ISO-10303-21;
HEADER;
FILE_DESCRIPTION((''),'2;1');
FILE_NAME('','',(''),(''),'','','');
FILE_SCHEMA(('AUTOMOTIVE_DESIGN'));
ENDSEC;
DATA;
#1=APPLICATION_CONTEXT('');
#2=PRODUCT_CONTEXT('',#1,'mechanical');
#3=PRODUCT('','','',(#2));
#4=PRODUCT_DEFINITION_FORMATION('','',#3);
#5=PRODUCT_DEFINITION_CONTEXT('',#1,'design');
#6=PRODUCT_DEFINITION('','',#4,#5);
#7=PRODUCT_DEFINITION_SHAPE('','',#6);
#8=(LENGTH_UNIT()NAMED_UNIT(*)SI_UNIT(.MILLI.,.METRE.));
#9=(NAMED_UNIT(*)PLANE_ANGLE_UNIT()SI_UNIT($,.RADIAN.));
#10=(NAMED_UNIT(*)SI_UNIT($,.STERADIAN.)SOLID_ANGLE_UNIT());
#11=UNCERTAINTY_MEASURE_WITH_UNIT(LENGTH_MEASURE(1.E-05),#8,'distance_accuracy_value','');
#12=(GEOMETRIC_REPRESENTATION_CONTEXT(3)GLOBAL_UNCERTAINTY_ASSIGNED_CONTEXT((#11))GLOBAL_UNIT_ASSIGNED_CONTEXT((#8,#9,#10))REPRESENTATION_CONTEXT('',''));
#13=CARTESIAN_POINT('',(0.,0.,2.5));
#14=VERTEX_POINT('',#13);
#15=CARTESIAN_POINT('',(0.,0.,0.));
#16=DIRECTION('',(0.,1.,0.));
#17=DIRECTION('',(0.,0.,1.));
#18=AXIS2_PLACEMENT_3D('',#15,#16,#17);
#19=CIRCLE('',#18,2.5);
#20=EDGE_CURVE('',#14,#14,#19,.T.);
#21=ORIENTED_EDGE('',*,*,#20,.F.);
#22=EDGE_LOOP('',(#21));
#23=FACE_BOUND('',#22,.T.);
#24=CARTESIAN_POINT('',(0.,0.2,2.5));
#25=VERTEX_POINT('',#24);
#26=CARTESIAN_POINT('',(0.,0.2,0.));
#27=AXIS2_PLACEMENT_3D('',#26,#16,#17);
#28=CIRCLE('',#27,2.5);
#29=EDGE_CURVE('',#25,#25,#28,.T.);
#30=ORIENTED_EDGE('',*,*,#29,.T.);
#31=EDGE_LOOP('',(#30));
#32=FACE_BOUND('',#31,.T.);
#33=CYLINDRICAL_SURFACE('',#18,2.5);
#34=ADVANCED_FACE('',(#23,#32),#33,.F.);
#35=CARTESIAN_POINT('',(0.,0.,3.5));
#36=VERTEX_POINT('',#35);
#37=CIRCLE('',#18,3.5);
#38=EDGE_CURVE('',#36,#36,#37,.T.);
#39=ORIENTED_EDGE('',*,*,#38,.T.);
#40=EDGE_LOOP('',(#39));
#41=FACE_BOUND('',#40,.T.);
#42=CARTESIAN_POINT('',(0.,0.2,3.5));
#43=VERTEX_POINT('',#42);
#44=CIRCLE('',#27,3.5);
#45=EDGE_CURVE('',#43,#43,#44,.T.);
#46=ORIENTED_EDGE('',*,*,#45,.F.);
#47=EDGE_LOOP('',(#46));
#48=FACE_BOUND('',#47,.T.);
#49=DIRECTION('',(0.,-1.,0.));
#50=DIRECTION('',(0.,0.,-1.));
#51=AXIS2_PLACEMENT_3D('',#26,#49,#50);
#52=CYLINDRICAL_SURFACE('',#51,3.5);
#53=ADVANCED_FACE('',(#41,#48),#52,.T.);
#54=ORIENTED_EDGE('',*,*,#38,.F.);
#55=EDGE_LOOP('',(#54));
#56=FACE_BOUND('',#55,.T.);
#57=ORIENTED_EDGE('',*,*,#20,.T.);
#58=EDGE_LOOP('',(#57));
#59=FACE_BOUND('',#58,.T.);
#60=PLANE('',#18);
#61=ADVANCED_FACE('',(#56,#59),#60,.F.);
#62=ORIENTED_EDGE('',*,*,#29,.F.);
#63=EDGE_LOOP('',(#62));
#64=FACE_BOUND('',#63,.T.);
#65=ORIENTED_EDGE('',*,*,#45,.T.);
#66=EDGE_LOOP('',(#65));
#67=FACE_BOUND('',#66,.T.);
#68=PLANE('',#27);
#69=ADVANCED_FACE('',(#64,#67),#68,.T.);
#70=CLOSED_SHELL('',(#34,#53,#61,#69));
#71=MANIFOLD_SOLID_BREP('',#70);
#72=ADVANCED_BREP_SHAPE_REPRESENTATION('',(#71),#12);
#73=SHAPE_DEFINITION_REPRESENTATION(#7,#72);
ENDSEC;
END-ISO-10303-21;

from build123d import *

# Parameters (mm, degrees)
SKETCH1_R           = 3.5
BOSS_EXTRUDE1_DEPTH = 0.2
SKETCH5_R           = 2.5
CUT_EXTRUDE1_DEPTH  = 1.2


with BuildPart() as part:
    # Sketch1 → Boss-Extrude1 (new body)
    with BuildSketch(Plane(origin=(0, 0, 0), x_dir=(1, 0, 0), z_dir=(0, 1, 0))):
        Circle(SKETCH1_R)
    extrude(amount=BOSS_EXTRUDE1_DEPTH)

    # Sketch5 → Cut-Extrude1 (cut, through all)
    with BuildSketch(Plane(origin=(0, 0.2, 0), x_dir=(-1, 0, 0), z_dir=(0, 1, 0))):
        Circle(SKETCH5_R)
    extrude(amount=-CUT_EXTRUDE1_DEPTH, mode=Mode.SUBTRACT)


solid = part.part
